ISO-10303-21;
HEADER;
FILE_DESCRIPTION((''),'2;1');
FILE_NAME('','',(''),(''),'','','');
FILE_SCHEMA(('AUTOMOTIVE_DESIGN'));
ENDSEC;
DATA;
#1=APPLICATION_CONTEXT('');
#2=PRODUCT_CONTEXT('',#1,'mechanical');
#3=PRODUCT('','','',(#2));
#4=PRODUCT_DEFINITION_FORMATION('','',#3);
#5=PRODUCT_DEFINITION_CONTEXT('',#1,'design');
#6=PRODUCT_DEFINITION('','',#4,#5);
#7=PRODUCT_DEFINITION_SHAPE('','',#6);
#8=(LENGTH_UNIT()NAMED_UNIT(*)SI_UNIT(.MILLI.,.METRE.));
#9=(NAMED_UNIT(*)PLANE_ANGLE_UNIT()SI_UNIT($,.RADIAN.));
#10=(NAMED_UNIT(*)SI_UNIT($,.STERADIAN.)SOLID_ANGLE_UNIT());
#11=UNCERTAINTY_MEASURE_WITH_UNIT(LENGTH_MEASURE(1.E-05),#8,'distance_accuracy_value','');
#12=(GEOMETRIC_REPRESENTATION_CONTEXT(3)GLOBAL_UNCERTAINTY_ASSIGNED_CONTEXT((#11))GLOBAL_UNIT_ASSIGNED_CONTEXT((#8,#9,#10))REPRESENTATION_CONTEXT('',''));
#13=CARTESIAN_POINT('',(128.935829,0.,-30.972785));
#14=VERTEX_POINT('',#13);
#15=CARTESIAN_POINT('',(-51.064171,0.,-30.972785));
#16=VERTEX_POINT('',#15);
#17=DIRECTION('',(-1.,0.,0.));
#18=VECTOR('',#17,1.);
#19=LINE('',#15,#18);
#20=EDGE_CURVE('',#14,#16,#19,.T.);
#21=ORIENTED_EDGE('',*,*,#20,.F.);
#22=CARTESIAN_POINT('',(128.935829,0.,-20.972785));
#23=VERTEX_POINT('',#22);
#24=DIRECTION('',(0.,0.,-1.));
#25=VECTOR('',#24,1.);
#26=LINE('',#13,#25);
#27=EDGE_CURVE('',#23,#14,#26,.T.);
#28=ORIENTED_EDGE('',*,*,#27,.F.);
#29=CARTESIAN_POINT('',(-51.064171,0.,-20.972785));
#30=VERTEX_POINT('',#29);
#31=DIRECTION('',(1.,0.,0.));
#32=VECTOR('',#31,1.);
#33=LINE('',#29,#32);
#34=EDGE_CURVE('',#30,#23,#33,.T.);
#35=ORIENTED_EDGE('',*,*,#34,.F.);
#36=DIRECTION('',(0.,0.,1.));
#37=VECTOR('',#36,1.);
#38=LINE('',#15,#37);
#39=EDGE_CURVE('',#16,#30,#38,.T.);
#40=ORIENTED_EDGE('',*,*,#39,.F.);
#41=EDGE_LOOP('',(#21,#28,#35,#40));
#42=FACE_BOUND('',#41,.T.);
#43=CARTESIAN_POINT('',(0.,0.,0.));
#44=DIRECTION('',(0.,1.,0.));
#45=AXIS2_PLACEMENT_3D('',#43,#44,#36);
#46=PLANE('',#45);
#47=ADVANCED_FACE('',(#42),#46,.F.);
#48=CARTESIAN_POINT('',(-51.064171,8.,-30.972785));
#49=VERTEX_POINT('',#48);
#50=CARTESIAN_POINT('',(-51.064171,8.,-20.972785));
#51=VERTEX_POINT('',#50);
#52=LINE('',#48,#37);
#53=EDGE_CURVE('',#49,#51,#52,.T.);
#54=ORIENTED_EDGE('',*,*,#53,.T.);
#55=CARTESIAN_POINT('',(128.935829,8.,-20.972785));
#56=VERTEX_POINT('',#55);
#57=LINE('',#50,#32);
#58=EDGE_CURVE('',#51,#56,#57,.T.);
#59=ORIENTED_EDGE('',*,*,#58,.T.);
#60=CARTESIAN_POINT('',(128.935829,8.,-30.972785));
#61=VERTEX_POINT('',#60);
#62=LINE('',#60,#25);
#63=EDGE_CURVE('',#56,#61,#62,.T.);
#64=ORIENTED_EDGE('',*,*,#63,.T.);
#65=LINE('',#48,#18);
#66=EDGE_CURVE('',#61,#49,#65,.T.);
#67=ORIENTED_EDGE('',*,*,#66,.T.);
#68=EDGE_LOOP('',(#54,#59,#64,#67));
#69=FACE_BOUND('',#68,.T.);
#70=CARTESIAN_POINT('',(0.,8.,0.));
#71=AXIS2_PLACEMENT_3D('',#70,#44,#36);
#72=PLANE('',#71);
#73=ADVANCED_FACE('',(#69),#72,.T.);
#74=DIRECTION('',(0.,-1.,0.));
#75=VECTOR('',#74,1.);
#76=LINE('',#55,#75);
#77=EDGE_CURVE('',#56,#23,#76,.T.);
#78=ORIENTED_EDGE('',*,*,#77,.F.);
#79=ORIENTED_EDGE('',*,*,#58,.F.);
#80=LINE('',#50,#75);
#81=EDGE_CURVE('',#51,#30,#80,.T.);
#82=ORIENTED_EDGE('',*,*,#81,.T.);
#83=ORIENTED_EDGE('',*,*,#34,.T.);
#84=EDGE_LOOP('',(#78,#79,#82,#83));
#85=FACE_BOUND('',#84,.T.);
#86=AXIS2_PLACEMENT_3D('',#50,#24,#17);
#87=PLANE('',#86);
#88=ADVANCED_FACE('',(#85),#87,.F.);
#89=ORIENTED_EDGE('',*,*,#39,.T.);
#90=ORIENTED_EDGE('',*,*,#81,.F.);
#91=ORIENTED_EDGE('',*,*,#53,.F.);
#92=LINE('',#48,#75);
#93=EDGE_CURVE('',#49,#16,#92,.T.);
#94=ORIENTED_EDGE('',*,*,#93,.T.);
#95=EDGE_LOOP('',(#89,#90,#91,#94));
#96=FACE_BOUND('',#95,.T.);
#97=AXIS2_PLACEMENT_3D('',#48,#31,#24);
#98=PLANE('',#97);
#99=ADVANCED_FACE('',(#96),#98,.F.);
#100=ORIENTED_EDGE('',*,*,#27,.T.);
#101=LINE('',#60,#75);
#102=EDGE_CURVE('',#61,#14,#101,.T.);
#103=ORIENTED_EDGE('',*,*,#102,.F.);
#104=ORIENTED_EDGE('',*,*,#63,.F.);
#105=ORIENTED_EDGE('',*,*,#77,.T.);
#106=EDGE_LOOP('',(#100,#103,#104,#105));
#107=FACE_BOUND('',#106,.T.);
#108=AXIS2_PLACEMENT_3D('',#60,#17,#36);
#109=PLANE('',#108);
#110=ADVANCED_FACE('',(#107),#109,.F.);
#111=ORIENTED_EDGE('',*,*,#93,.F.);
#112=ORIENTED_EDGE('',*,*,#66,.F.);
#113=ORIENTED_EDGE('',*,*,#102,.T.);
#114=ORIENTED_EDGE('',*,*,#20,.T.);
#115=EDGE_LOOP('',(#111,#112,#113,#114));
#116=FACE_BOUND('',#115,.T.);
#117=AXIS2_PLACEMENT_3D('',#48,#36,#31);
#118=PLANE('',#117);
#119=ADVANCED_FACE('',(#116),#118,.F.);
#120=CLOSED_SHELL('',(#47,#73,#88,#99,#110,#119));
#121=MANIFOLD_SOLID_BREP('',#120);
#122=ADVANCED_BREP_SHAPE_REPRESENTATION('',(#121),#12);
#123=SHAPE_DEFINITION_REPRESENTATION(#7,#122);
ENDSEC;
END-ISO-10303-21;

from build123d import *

# Parameters (mm, degrees)
SKETCH_1_W      = 180
SKETCH_1_H      = 10
EXTRUDE_1_DEPTH = 8


with BuildPart() as part:
    # 草图1 → 凸台-拉伸1 (new body)
    with BuildSketch(Plane(origin=(0, 0, 0), x_dir=(1, 0, 0), z_dir=(0, 1, 0))):
        with Locations((38.935828736, 25.972784626)):
            Rectangle(SKETCH_1_W, SKETCH_1_H)
    extrude(amount=EXTRUDE_1_DEPTH)


solid = part.part
